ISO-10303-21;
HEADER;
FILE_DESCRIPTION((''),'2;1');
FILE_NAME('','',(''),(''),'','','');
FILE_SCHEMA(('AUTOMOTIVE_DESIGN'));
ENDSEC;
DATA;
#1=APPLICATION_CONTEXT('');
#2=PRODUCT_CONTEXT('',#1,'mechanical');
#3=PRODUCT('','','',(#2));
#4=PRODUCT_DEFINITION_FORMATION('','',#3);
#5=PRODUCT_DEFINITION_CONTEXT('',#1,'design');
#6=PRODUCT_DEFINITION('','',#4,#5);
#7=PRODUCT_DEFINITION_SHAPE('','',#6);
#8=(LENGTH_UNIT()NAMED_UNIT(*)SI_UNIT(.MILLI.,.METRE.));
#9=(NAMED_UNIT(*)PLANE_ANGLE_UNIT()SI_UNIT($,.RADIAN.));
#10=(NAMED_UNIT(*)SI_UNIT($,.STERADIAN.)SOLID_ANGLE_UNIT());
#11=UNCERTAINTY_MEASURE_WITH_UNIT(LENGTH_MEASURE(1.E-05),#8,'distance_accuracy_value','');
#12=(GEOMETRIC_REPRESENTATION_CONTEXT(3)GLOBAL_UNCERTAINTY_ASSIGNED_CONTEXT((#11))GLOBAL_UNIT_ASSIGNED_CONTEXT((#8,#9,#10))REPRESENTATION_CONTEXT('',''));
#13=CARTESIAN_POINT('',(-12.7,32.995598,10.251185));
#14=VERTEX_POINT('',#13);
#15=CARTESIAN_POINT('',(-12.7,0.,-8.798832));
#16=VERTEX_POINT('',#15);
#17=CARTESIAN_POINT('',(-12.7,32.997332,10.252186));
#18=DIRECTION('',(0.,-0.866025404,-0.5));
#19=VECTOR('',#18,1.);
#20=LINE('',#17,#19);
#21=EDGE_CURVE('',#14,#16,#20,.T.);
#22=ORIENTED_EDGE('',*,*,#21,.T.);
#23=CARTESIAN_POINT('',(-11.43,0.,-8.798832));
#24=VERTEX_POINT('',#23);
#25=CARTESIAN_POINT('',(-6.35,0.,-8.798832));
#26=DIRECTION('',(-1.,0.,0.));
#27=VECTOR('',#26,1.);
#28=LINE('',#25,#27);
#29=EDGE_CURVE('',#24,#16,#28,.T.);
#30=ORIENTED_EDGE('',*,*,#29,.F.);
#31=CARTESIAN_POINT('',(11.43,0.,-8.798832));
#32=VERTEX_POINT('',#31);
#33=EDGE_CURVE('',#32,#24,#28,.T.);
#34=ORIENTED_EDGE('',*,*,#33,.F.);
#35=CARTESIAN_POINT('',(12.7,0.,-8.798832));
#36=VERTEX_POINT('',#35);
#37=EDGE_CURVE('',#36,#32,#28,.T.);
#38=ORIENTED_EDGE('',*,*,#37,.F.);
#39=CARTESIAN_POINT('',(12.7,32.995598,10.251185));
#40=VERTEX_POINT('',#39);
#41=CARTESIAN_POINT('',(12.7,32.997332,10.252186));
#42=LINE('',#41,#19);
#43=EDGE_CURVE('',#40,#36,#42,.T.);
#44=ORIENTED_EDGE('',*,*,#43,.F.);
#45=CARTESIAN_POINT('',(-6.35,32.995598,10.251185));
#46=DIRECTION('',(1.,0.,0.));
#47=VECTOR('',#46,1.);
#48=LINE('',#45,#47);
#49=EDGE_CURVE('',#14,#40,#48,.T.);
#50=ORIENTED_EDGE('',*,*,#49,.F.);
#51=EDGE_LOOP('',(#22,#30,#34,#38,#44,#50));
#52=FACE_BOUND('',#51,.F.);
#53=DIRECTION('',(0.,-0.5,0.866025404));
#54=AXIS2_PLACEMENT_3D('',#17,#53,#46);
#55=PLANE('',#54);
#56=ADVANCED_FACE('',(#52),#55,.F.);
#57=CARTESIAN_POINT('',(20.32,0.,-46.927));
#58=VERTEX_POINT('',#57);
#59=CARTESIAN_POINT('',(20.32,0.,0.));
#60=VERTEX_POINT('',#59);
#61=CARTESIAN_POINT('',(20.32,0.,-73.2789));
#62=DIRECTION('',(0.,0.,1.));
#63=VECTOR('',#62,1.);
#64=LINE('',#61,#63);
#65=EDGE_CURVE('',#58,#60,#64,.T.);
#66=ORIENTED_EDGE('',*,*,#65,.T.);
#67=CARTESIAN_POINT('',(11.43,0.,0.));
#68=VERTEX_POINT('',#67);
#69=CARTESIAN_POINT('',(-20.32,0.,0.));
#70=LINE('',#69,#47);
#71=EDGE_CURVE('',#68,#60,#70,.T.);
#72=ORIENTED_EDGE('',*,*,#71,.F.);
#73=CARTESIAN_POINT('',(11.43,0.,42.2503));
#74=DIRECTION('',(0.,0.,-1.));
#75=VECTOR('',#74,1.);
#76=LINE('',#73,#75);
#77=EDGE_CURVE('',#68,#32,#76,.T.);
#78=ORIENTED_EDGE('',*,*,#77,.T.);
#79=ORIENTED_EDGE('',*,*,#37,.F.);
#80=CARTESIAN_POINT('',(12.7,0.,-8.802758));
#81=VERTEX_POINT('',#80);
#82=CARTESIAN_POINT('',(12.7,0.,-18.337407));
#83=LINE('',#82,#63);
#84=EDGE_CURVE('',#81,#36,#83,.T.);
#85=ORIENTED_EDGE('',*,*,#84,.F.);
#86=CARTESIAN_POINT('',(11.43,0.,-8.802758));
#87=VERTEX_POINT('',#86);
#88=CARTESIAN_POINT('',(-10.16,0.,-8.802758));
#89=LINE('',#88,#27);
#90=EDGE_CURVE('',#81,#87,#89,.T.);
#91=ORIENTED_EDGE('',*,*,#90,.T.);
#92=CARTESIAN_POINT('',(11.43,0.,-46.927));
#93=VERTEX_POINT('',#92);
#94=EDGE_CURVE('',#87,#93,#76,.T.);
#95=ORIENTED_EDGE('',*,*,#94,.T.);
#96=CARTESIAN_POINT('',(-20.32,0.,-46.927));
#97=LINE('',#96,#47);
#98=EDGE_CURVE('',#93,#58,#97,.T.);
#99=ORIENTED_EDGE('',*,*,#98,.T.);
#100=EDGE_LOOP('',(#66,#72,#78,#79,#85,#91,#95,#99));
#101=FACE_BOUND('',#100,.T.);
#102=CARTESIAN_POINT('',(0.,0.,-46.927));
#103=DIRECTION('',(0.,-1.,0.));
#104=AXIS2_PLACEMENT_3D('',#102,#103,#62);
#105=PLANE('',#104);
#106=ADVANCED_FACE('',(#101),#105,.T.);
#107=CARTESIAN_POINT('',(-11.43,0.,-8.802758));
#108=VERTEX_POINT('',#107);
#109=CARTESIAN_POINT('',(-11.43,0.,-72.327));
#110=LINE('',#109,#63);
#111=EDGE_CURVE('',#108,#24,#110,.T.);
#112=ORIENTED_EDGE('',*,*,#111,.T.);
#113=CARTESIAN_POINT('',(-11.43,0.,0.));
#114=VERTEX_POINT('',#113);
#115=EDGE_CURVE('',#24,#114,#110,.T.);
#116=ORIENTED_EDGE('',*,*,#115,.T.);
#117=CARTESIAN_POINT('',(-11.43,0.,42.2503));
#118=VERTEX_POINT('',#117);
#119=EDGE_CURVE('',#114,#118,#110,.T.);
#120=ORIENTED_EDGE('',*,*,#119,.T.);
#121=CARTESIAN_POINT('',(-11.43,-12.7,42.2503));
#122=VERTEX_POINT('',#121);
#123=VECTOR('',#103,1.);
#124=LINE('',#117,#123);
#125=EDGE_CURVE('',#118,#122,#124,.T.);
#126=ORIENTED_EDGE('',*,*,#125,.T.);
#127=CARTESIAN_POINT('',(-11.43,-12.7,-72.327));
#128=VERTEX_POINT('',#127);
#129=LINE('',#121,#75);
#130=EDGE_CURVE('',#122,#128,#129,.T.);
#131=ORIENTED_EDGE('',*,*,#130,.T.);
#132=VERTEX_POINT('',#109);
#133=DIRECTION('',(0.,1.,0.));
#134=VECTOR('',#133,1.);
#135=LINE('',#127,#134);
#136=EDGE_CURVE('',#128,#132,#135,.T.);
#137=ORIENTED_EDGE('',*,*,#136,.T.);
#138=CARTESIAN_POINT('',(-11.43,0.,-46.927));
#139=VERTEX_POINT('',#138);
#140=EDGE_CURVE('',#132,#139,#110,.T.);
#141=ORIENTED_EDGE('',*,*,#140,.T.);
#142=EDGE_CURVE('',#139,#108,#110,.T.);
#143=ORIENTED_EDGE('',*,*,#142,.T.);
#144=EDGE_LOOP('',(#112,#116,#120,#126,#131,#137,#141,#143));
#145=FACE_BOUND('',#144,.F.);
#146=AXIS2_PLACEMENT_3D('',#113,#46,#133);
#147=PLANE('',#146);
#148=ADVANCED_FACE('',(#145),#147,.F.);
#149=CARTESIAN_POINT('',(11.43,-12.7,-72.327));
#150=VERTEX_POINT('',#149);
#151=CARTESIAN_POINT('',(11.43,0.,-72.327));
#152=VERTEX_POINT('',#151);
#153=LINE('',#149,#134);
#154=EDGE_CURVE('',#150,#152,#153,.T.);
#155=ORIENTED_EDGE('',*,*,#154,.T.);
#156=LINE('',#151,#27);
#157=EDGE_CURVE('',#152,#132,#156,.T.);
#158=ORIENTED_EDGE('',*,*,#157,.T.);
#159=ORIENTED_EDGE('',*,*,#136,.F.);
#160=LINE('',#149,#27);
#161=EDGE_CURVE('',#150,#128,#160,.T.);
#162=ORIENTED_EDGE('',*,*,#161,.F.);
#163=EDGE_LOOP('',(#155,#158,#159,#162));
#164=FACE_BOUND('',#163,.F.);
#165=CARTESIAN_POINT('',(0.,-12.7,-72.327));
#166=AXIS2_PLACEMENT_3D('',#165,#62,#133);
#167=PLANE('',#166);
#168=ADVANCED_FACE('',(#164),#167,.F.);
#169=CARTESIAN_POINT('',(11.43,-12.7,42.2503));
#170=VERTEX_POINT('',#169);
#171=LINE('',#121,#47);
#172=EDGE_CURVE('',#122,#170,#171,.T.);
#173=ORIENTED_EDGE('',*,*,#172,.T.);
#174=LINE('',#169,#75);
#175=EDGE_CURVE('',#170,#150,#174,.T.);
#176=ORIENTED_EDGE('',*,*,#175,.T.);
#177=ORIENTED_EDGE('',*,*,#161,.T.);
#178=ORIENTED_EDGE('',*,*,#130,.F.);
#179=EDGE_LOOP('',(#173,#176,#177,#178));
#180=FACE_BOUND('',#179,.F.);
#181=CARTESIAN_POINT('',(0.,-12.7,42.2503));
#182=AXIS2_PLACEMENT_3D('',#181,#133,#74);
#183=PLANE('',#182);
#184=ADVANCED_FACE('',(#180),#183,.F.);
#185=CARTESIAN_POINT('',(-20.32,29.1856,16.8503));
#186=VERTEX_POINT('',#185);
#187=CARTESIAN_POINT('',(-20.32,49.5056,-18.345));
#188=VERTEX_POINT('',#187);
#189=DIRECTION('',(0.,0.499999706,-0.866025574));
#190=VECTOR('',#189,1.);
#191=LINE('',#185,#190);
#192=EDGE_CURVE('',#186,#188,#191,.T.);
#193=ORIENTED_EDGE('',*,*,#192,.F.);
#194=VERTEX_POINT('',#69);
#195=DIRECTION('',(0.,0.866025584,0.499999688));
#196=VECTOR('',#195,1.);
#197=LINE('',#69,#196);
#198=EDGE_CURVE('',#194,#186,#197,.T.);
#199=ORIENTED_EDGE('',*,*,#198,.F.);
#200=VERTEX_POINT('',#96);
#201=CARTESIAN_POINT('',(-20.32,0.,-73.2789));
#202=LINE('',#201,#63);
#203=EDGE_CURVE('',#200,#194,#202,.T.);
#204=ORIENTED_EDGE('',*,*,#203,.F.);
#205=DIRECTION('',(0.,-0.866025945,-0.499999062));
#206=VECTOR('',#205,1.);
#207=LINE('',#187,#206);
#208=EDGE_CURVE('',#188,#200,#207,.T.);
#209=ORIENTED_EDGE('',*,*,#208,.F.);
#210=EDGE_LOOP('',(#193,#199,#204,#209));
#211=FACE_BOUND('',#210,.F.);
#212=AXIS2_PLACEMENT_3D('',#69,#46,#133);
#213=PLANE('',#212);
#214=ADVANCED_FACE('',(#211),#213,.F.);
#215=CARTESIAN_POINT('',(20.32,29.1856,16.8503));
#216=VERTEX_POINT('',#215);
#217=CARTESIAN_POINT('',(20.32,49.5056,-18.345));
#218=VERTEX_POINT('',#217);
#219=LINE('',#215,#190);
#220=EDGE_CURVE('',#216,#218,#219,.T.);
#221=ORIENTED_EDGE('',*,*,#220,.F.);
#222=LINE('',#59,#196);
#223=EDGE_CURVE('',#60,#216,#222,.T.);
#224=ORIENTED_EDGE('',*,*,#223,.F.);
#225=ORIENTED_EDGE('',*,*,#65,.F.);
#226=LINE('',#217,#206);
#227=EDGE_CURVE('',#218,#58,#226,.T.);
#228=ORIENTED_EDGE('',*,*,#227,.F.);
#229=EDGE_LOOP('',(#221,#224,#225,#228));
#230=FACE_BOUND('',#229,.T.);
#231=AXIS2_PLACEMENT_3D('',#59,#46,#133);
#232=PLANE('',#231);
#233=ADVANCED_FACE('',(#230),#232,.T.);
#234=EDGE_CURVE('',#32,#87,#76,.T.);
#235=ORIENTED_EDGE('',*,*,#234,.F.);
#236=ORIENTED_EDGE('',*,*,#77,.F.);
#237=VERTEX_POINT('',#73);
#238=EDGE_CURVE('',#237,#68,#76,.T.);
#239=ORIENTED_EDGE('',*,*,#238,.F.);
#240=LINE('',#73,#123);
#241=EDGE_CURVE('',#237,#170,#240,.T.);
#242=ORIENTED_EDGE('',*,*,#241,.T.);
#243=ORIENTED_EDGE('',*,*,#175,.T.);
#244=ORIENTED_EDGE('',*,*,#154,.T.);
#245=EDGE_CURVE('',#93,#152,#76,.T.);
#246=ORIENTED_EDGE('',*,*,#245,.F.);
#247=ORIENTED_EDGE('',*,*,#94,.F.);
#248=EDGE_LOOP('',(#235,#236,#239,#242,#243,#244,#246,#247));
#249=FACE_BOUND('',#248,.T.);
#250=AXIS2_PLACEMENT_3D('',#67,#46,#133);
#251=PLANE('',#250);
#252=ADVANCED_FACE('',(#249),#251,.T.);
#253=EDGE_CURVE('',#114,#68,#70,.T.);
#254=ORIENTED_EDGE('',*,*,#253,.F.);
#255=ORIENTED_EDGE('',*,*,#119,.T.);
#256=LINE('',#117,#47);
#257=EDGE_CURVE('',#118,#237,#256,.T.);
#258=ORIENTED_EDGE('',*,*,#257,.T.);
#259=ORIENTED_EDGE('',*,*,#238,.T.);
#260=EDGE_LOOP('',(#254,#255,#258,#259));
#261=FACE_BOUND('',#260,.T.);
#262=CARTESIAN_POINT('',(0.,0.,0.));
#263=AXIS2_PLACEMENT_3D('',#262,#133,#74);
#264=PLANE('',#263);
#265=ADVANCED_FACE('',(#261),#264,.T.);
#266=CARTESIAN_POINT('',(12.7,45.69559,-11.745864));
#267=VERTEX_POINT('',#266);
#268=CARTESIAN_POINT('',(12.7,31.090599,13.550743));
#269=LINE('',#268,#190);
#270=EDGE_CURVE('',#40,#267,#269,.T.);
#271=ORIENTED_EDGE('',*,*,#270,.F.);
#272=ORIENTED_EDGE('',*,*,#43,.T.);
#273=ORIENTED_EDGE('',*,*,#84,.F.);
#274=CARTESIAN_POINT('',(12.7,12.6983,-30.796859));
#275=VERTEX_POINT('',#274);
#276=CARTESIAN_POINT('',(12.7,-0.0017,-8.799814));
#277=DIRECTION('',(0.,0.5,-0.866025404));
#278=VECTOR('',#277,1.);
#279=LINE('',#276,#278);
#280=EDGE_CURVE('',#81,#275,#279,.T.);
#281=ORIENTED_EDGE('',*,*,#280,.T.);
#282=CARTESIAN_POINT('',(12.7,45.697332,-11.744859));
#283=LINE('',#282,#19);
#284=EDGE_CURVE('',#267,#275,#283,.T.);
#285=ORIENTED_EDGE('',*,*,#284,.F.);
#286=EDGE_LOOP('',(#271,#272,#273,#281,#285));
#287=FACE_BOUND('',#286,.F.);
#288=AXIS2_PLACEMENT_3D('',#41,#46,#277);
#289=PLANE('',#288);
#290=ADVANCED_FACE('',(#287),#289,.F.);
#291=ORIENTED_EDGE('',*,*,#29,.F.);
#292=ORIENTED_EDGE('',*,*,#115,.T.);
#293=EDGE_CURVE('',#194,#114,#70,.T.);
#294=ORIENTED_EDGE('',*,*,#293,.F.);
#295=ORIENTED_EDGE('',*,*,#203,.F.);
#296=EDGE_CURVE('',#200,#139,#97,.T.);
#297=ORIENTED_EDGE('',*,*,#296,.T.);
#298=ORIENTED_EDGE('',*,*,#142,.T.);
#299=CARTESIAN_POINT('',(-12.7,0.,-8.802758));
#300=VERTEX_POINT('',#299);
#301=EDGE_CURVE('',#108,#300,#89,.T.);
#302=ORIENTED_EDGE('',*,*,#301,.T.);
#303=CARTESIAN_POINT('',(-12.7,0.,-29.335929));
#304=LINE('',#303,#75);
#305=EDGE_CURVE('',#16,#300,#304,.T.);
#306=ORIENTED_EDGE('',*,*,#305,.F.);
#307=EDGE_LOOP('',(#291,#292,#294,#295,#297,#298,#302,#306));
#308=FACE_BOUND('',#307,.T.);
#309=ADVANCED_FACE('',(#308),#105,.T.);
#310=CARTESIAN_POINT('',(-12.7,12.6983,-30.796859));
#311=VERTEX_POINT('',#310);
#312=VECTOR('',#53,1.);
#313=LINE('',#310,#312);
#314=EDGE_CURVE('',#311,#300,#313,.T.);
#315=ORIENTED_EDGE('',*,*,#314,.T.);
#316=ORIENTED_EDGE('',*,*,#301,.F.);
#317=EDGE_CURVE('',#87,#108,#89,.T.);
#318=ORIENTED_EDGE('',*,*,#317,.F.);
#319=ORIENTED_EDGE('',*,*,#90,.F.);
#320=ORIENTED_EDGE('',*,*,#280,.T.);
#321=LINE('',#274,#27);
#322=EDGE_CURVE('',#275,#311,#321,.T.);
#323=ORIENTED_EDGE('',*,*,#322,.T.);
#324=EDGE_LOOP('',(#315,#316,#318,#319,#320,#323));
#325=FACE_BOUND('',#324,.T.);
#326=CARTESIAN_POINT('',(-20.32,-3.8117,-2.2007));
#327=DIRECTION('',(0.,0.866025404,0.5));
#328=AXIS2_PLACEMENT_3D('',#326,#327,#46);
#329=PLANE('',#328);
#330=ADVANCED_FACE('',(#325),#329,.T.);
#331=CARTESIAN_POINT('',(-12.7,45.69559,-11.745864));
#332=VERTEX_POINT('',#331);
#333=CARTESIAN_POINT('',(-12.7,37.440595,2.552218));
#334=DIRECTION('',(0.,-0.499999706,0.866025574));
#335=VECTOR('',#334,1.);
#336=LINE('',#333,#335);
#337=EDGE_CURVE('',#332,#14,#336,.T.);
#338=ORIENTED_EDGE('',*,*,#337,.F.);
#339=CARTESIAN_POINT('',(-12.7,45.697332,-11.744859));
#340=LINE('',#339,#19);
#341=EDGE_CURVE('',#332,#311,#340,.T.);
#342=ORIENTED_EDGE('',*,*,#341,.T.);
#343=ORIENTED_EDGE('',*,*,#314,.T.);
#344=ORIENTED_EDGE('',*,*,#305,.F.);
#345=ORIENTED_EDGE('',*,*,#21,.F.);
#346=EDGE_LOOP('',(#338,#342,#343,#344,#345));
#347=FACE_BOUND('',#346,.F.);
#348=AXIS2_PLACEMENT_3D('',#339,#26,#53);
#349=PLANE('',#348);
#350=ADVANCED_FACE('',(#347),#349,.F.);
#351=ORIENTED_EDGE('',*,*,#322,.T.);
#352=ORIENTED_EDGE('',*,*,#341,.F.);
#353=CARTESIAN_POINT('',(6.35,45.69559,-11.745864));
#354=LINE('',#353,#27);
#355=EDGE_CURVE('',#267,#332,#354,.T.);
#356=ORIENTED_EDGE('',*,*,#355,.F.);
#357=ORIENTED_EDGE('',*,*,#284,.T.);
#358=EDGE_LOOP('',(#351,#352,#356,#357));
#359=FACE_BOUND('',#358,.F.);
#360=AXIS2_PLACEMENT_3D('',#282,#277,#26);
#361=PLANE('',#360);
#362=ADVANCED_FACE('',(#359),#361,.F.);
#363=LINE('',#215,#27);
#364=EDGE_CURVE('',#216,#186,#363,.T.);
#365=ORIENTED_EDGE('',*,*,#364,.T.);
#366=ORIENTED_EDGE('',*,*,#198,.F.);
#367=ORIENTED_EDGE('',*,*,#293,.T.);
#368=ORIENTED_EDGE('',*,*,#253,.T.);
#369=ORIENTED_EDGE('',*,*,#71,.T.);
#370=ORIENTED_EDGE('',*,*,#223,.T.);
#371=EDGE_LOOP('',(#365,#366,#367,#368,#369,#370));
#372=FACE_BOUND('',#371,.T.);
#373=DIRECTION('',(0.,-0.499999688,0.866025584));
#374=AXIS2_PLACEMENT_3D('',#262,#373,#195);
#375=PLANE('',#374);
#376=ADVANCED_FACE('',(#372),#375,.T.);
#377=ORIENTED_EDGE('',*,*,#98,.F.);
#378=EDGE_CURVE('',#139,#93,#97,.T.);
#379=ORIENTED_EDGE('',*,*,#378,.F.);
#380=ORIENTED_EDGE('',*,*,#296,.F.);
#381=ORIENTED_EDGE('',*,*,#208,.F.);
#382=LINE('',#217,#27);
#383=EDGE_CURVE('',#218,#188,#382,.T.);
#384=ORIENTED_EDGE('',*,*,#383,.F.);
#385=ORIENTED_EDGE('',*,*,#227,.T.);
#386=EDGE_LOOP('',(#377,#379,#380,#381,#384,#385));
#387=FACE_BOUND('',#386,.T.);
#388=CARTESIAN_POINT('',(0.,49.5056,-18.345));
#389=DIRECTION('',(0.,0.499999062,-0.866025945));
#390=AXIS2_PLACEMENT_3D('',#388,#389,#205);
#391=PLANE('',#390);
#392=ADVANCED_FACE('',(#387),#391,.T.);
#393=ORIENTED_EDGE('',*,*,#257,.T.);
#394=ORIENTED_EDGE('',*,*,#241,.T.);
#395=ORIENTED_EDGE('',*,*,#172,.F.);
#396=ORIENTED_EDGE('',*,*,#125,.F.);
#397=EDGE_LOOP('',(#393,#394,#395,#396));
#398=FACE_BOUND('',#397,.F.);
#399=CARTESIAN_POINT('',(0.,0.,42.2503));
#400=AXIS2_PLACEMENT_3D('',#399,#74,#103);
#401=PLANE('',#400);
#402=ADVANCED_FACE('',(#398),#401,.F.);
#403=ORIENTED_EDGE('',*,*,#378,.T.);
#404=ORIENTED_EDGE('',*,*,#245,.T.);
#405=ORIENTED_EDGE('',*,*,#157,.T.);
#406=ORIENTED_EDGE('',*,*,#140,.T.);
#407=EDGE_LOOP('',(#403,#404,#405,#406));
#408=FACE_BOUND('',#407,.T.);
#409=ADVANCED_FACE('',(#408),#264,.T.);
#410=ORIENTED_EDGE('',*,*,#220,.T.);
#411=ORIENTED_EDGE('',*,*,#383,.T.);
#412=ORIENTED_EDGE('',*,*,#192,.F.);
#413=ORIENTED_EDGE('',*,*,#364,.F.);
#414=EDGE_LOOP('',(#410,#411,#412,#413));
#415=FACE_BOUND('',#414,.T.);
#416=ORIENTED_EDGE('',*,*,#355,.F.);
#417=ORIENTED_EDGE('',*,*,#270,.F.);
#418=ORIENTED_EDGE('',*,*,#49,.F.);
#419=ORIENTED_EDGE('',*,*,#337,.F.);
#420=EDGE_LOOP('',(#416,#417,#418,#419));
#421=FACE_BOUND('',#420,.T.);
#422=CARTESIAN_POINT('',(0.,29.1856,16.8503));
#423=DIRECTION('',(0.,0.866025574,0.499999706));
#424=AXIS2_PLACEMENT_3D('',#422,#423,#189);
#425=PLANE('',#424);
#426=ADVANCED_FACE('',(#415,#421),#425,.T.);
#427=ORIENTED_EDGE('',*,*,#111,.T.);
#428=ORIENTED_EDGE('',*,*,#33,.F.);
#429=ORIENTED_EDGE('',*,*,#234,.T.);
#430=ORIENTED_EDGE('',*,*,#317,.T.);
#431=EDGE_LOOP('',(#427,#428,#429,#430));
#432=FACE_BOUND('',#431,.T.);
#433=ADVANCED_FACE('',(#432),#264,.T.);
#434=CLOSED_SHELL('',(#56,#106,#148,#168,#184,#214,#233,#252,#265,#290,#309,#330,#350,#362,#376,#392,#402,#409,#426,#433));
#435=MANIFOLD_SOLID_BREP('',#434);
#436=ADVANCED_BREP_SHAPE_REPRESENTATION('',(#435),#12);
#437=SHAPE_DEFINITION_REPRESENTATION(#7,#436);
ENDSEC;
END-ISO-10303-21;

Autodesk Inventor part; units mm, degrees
ref_plane "YZ Plane" through (0, 0, 0) normal (1, 0, 0) x (0, 1, 0)
ref_plane "XZ Plane" through (0, 0, 0) normal (0, 1, 0) x (-1, 0, 0)
ref_plane "XY Plane" through (0, 0, 0) normal (0, 0, 1) x (1, 0, 0)
sketch "Sketch1" plane through (0, 0, 0) normal (1, 0, 0) x (0, 1, 0)
  line L0 (0, 0) -> (29.1856, 16.8503)
  line L1 (29.1856, 16.8503) -> (49.5056, -18.345)
  line L2 (0, -73.2789) -> (0, 37.3579) projected
  line L3 (49.5056, -18.345) -> (0, -46.927)
  line L4 (0, 0) -> (0, -46.927)
  line L5 (32.9956, 10.2512) -> (0, -8.7988) construction
  dimension "d0" = 40.64
  dimension "d1" = 60
  dimension "d5" = 7.62
  dimension "d6" = 38.1
extrude "Extrusion1" add sketch "Sketch1" along normal mid plane 40.64
sketch "Sketch2" plane through (-20.32, 29.1856, 16.8503) normal (0, 0.866, 0.5) x (1, 0, 0)
  line L0 (0, 0) -> (40.64, 0) construction
  line L1 (40.64, 0) -> (40.64, 40.64) construction
  line L2 (0, 0) -> (40.64, 40.64) construction
  line L3 (40.64, 40.64) -> (0, 40.64) construction
  line L4 (0, 40.64) -> (40.64, 0) construction
  line L5 (7.62, 7.62) -> (33.02, 7.62)
  line L6 (33.02, 7.62) -> (33.02, 33.02)
  line L7 (33.02, 33.02) -> (7.62, 33.02)
  line L8 (7.62, 33.02) -> (7.62, 7.62)
  line L9 (7.62, 7.62) -> (33.02, 33.02) construction
  line L10 (33.02, 7.62) -> (7.62, 33.02) construction
  point P0 (20.32, 0)
  point P1 (20.32, 20.32)
  dimension "d7" = 25.4
extrude "Extrusion2" cut sketch "Sketch2" against normal blind 38.1
sketch "Sketch3" plane through (0, 0, 0) normal (1, 0, 0) x (0, 1, 0)
  line L0 (29.1856, 16.8503) -> (0, 0) projected
  line L1 (0, 0) -> (0, -46.927) projected
  line L2 (0, -46.927) -> (49.5056, -18.345) projected
  line L3 (12.7, -30.7959) -> (0, -8.7988) projected
  line L4 (32.9956, 10.2512) -> (0, -8.7988) projected
  line L5 (0, 0) -> (0, -46.927)
  line L6 (29.1856, 16.8503) -> (15.6348, 16.8503) construction
  line L7 (0, 0) -> (29.1856, 16.8503) projected
  line L8 (0, 0) -> (0, 42.2503)
  line L9 (49.5056, -18.345) -> (0, -46.927) projected
  line L10 (0, -46.927) -> (0, -72.327)
  line L11 (0, -108.8389) -> (0, 72.9179) projected
  line L12 (0, 42.2503) -> (-12.7, 42.2503)
  line L13 (-12.7, 42.2503) -> (-12.7, -72.327)
  line L14 (-12.7, -72.327) -> (0, -72.327)
  point P0 (1.0999, -13.335)
  point P1 (0, -8.7988)
  dimension "d10" = 25.4
  dimension "d11" = 25.4
  dimension "d12" = 12.7
extrude "Extrusion3" add sketch "Sketch3" along normal mid plane 22.86
equation "\"d0\" = widthToSupportExtrusion"
equation "\"d1\" = attachementAngle"
equation "\"d6\" = insertDepth"
equation "\"d2\" = widthToSupportExtrusion"
equation "\"d7\" = extrusionSize"
equation "\"d8\" = insertDepth"
equation "\"d12\" = supportBaseDepth"
equation "\"d13\" = supportBaseWidth"
equation "\"attachementAngle\" = 60deg"
equation "\"extrusionSize\" = 25.4"
equation "\"wallThickness\" = 6.35"
equation "\"slipClearance\" = 1.27"
equation "\"insertForExtrusion\" = extrusionSize + 2 * slipClearance"
equation "\"widthToSupportExtrusion\" = insertForExtrusion + 2 * wallThickness"
equation "\"insertDepth\" = 38.1"
equation "\"supportBaseWidth\" = 22.86"
equation "\"supportBaseDepth\" = 12.7"
properties part number "60DegreeAttachementV02"
